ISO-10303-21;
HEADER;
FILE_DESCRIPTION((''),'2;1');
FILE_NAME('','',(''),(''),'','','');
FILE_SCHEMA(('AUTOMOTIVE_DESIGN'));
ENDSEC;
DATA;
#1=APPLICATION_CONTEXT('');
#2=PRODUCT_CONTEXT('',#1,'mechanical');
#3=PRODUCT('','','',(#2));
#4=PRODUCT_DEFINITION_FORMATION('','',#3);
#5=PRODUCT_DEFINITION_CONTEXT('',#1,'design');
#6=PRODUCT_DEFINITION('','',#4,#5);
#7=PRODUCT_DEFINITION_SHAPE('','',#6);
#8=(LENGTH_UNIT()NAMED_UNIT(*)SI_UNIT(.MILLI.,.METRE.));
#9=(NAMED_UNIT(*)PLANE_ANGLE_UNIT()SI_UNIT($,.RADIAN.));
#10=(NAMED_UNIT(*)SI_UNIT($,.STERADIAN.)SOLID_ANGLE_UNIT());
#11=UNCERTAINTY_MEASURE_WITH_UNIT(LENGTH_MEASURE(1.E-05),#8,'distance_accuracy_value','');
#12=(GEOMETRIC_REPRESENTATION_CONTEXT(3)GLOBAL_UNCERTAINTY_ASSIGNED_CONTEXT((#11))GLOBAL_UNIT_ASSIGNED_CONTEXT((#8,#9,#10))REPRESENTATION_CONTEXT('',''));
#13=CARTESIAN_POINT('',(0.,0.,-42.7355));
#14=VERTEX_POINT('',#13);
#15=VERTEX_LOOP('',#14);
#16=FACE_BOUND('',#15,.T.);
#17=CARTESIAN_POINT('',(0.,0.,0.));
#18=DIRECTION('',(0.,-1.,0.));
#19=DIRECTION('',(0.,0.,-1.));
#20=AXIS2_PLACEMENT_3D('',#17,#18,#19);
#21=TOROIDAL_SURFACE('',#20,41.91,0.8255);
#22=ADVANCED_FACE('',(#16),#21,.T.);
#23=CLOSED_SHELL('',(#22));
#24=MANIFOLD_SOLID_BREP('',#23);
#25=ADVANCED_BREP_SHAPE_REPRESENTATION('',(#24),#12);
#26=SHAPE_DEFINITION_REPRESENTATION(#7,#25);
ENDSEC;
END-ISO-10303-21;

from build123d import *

# Parameters (mm, degrees)
SKETCH1_R = 0.8255


with BuildPart() as part:
    # Sketch1 → Revolve1 (revolve)
    with BuildSketch(Plane.XY):
        with Locations((-41.91, 0)):
            Circle(SKETCH1_R)
    revolve(axis=Axis((0, 0, 0), (0, 1, 0)))


solid = part.part
